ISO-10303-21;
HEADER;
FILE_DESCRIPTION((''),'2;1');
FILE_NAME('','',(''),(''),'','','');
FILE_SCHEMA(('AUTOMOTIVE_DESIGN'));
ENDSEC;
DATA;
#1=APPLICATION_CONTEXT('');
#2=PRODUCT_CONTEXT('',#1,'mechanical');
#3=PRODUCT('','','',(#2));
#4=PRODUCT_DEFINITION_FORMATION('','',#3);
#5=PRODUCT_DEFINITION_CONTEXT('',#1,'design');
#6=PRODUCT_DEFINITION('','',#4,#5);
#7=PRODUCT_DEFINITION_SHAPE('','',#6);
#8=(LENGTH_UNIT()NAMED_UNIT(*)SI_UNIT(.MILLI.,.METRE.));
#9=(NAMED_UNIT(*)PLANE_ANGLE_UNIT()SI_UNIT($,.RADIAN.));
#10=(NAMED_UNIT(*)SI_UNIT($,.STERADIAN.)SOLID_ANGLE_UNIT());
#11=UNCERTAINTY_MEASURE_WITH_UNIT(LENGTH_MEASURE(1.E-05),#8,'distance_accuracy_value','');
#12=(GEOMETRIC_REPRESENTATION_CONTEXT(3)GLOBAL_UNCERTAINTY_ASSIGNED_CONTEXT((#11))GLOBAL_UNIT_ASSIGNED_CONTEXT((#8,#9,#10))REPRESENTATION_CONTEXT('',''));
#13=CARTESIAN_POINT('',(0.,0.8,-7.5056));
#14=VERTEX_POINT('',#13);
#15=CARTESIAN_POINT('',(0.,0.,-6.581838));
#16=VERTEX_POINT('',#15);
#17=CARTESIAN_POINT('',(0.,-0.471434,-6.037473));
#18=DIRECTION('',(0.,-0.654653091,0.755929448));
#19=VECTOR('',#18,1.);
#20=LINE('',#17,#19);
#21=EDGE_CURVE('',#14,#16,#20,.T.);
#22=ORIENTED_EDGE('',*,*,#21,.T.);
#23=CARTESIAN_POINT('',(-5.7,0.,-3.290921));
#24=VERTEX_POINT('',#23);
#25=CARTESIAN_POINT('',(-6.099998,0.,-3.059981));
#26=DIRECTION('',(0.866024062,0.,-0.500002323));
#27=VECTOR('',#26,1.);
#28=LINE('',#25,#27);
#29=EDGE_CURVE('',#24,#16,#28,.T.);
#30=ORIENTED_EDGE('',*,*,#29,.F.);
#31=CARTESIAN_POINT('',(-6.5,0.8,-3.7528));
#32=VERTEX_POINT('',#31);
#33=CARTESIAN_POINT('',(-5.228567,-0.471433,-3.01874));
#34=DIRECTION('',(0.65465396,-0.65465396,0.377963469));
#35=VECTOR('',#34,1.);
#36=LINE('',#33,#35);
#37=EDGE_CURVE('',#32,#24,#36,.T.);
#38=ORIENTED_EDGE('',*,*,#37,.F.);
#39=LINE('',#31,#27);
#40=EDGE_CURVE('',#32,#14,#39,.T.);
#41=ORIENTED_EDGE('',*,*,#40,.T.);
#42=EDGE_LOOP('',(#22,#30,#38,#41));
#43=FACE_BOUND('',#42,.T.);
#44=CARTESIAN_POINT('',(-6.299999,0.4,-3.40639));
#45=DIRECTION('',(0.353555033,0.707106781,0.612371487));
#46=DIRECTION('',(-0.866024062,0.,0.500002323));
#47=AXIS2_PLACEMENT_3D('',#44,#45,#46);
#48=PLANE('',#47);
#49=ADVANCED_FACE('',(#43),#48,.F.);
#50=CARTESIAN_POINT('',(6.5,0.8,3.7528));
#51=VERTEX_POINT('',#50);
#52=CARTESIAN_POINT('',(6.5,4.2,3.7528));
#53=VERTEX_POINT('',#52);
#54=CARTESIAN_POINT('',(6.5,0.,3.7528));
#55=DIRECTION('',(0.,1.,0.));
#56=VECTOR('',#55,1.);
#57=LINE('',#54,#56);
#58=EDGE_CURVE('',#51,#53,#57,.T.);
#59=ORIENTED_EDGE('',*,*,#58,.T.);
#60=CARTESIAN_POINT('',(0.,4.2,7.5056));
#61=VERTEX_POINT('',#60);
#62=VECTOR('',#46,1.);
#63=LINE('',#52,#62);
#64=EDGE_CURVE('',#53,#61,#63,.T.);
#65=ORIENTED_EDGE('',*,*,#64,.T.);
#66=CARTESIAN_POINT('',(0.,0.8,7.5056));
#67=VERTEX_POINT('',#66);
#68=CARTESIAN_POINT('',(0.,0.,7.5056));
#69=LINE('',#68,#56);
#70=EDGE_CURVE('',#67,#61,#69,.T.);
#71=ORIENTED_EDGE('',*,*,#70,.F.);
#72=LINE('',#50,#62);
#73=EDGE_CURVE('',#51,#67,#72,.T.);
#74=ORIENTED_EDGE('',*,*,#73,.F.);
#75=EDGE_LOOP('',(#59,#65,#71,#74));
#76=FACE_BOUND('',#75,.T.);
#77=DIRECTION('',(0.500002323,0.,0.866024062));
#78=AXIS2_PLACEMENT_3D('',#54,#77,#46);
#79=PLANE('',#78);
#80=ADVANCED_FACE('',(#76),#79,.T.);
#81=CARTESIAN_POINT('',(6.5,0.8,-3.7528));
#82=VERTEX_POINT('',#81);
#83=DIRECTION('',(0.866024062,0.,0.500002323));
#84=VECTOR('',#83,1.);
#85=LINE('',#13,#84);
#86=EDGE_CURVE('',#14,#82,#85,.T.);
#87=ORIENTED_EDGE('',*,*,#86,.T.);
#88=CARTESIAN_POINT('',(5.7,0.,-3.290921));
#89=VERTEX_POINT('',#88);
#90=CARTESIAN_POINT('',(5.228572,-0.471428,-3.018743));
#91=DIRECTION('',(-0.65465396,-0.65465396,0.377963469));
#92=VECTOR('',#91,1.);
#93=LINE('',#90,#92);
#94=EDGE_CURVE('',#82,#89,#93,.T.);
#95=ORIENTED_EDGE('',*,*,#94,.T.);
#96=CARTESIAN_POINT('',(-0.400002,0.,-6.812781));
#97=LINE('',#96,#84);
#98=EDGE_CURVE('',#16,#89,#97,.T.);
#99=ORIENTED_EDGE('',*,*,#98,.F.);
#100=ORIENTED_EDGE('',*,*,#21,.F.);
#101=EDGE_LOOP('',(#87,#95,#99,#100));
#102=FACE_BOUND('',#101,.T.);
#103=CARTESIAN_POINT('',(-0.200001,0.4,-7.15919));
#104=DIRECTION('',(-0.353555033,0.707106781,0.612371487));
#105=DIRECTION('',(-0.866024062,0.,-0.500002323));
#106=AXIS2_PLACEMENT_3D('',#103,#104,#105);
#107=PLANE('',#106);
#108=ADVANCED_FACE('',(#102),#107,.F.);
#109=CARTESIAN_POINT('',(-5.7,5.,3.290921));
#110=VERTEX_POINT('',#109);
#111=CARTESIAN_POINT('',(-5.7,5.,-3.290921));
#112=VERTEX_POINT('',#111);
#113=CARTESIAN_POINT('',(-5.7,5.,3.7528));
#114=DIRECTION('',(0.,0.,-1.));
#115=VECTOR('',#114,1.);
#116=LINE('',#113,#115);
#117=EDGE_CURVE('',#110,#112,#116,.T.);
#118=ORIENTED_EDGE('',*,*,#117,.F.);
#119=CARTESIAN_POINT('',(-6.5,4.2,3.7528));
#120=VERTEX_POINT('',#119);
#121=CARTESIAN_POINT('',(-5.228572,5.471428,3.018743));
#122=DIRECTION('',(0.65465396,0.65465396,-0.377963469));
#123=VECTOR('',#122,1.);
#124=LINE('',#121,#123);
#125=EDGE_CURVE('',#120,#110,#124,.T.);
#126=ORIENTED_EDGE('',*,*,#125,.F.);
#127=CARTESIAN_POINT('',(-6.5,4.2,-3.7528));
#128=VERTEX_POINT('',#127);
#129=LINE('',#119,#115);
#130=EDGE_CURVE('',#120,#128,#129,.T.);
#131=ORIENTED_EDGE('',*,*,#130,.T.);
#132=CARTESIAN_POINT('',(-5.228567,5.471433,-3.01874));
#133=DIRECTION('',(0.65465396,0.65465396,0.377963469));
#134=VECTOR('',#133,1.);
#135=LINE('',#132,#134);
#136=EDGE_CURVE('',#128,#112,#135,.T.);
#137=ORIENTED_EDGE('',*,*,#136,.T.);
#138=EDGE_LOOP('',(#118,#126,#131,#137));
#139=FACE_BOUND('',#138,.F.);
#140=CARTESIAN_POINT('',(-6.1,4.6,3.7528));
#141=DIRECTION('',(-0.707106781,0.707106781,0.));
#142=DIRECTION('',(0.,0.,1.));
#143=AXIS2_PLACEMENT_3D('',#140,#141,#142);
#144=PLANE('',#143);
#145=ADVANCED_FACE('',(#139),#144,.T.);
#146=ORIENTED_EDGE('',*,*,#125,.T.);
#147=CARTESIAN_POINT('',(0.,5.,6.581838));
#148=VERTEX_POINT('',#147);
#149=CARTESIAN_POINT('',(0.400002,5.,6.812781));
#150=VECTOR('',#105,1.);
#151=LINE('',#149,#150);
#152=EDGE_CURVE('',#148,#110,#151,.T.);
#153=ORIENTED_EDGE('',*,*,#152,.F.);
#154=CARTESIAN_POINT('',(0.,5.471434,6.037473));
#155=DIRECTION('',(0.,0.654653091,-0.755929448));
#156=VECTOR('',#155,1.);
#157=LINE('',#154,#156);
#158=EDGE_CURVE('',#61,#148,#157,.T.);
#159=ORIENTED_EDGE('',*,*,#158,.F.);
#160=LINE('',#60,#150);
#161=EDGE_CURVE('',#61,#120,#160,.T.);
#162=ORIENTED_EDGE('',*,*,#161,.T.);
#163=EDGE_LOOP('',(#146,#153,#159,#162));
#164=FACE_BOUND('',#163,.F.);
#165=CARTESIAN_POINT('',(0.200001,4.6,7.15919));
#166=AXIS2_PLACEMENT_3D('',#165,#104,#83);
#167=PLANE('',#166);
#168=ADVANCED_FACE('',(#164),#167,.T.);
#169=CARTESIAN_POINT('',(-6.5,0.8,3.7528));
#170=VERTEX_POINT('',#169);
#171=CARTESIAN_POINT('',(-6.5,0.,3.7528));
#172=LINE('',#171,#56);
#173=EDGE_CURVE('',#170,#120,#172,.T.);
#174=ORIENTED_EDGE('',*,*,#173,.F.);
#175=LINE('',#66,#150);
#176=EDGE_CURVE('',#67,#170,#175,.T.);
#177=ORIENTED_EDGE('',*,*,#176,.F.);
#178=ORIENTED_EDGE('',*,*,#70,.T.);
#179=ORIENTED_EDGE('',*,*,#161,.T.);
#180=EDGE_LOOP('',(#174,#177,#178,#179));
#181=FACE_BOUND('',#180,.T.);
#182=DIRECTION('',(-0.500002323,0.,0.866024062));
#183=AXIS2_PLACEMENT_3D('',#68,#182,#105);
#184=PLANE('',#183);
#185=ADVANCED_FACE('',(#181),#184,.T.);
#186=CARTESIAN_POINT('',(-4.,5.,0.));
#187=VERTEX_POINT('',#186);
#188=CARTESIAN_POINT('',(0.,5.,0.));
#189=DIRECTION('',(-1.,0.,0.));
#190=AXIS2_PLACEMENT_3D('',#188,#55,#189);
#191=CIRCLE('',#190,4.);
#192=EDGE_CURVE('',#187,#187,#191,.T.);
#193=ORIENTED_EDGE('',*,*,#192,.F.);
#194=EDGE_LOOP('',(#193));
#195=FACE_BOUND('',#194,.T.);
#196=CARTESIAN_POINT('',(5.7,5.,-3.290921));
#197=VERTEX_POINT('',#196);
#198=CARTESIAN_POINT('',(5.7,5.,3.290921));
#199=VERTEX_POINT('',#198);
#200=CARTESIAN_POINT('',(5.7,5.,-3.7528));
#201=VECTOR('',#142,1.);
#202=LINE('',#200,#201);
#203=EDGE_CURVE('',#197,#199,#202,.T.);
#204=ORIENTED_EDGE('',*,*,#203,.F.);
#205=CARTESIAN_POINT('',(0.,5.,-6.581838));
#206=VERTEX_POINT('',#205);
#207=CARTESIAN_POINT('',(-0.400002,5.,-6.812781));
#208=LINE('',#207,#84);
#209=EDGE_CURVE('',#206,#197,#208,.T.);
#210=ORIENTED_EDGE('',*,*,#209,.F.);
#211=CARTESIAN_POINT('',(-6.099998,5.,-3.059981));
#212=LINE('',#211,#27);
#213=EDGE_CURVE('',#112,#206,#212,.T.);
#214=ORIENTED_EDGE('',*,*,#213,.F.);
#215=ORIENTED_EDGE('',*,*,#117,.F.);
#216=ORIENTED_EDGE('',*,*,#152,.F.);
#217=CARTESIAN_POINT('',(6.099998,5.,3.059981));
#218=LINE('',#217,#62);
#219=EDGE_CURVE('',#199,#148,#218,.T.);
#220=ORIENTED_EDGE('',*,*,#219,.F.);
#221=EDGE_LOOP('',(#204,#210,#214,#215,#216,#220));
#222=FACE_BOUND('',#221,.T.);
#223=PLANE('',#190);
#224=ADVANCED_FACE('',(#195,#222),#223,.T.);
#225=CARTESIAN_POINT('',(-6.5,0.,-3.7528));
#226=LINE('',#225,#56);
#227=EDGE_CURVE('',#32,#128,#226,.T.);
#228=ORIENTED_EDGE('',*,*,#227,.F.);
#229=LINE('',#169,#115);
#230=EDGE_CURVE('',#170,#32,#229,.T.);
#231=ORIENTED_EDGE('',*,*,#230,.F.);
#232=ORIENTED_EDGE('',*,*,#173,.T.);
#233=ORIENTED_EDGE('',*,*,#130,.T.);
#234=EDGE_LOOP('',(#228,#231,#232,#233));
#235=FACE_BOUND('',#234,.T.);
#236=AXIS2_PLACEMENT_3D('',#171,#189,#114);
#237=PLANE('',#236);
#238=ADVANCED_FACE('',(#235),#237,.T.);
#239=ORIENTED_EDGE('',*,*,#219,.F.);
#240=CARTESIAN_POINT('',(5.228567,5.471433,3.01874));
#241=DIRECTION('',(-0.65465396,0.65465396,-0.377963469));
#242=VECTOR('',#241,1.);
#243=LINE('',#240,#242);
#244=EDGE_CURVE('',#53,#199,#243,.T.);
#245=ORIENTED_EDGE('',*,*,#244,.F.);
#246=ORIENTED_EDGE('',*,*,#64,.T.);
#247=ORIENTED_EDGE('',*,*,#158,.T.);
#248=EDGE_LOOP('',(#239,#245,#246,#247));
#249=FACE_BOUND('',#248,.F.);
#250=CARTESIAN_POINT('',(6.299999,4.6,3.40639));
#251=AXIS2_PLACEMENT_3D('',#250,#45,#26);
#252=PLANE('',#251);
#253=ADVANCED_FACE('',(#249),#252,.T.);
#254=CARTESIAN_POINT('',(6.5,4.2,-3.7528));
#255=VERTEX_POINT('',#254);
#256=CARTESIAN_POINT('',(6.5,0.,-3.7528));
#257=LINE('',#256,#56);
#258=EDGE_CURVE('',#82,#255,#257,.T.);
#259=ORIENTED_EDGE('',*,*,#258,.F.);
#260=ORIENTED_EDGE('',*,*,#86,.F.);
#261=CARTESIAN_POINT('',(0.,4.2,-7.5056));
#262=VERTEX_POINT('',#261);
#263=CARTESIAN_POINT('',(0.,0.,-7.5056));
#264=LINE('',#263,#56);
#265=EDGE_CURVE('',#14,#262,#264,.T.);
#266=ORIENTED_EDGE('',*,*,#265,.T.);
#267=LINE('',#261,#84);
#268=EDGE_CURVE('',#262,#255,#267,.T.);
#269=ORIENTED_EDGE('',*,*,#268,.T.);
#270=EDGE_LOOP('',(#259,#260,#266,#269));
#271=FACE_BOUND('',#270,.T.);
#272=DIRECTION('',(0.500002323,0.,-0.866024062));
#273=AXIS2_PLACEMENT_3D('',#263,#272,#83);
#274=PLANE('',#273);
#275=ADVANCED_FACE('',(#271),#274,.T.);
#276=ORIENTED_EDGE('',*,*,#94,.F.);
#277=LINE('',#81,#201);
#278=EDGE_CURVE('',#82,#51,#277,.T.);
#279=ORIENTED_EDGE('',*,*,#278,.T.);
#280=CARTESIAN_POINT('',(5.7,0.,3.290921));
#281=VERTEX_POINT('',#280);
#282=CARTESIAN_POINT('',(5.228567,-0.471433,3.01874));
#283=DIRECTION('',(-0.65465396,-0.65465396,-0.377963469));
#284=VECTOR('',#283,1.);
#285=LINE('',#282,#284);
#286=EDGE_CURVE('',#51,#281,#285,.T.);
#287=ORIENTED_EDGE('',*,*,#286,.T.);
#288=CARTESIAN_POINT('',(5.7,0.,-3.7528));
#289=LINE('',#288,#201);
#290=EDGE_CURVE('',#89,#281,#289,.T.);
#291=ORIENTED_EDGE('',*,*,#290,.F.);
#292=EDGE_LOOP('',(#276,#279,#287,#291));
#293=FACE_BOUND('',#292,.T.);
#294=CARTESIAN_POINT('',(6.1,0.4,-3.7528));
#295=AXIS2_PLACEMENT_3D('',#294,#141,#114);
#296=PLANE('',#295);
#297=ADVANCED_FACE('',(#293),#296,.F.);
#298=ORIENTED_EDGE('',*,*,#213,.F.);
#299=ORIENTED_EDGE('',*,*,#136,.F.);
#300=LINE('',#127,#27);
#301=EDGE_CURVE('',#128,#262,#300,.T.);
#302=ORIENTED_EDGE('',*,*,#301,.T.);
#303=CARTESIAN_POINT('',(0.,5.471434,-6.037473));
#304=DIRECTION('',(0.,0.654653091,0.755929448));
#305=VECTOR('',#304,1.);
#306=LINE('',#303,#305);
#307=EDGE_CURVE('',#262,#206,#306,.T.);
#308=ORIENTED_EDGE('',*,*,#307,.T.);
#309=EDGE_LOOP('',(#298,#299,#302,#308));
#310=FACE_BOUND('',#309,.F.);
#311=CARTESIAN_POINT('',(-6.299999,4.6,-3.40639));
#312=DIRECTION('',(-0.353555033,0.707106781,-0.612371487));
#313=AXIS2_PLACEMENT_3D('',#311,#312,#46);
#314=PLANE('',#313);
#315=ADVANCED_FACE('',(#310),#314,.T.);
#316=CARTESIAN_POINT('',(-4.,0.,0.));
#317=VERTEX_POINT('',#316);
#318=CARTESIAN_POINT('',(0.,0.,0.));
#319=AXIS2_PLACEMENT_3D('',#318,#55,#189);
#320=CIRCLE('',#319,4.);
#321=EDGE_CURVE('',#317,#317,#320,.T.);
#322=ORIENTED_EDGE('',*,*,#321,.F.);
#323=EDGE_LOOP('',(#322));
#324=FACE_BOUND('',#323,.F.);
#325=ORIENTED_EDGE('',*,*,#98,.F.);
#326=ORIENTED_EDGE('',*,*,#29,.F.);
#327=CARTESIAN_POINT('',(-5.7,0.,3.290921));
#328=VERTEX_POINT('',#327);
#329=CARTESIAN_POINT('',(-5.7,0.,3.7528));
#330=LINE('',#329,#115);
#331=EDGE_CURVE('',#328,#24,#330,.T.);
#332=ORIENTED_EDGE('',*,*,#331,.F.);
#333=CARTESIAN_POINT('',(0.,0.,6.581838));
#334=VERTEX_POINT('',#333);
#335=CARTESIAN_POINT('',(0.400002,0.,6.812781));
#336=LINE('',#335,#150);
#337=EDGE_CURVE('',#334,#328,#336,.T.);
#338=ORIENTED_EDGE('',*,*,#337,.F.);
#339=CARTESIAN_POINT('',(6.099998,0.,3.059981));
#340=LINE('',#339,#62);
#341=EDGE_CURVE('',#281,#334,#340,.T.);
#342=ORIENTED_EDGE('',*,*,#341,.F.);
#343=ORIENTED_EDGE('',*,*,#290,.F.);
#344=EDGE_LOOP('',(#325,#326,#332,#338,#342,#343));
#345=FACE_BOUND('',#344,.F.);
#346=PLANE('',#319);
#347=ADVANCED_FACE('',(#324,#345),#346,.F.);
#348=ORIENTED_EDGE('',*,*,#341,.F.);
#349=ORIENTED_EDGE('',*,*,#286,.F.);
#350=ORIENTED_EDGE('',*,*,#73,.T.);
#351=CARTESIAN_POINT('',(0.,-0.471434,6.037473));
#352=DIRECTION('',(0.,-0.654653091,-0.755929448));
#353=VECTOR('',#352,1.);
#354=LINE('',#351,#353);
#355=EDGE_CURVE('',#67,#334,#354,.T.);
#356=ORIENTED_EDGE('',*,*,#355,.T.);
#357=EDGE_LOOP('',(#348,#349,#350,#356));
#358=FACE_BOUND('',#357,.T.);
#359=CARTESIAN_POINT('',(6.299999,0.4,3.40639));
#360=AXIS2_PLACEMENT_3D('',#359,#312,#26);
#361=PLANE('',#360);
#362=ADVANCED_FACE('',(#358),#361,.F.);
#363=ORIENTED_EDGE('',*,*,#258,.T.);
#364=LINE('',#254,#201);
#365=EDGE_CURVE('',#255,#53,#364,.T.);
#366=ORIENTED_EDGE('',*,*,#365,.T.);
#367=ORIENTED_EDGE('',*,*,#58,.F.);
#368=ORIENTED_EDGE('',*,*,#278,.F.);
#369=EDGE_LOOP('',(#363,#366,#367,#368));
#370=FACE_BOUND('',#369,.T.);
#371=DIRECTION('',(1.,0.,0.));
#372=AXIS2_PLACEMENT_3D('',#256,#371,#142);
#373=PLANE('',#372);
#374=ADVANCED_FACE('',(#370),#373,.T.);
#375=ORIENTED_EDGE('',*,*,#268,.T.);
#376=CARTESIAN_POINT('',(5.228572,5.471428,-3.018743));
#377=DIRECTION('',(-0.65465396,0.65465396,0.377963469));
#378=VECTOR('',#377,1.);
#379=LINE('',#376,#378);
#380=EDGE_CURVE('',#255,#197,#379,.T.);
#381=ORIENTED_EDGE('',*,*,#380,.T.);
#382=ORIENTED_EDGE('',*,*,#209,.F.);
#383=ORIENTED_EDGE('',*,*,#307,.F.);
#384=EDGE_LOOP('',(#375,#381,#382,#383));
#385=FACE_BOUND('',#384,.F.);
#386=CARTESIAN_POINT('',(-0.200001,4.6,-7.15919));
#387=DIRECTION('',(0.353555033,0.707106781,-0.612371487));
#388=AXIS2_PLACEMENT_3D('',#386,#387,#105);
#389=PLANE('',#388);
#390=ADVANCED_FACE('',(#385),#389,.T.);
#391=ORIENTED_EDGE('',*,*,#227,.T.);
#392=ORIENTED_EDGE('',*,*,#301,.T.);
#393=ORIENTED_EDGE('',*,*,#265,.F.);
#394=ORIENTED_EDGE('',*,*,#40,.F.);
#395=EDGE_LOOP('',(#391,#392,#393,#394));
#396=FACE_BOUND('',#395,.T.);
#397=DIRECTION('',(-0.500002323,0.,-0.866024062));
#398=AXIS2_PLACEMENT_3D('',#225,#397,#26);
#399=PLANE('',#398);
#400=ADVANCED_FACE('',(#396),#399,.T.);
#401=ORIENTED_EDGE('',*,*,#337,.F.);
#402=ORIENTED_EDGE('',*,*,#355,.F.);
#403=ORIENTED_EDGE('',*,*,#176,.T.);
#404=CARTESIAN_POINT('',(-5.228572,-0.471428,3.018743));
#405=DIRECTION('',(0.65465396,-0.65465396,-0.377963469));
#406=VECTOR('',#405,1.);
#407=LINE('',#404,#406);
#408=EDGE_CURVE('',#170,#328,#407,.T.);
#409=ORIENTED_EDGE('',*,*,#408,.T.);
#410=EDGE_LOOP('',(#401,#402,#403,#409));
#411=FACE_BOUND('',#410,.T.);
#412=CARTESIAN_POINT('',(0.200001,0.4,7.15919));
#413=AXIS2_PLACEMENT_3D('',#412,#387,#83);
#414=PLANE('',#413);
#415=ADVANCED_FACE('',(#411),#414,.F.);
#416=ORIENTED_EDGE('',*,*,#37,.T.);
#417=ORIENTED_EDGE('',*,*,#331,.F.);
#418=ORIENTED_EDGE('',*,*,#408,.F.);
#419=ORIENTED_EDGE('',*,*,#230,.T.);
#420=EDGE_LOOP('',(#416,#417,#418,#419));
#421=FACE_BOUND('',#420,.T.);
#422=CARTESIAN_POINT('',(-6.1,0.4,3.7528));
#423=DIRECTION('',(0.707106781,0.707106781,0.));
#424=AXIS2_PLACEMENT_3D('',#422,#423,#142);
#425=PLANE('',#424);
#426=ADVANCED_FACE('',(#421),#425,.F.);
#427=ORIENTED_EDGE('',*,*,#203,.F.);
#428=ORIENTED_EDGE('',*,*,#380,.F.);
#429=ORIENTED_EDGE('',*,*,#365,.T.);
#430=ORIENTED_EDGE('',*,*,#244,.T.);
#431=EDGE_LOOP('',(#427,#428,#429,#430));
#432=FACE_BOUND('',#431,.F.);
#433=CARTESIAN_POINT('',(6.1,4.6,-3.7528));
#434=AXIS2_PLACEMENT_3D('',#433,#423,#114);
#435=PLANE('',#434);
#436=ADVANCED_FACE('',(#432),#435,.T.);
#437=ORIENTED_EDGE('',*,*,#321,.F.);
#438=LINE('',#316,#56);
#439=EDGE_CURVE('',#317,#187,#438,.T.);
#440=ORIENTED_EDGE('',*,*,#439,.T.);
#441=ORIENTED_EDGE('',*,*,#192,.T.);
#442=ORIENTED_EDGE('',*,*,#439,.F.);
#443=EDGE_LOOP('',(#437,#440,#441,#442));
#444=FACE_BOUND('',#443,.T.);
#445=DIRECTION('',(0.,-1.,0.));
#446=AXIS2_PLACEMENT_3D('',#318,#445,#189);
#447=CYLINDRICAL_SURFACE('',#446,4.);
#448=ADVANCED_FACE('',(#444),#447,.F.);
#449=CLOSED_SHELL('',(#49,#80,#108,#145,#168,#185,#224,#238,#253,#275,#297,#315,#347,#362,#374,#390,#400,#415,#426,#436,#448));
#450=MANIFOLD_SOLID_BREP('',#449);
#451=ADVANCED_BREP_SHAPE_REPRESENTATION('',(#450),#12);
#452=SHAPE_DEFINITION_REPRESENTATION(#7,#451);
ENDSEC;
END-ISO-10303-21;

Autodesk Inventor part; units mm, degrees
ref_plane "YZ Plane" through (0, 0, 0) normal (1, 0, 0) x (0, 1, 0)
ref_plane "XZ Plane" through (0, 0, 0) normal (0, 1, 0) x (-1, 0, 0)
ref_plane "XY Plane" through (0, 0, 0) normal (0, 0, 1) x (1, 0, 0)
sketch "Sketch1" plane through (0, 0, 0) normal (0, 1, 0) x (-1, 0, 0)
  line L0 (6.5, -3.7528) -> (0, -7.5056)
  line L1 (0, -7.5056) -> (-6.5, -3.7528)
  line L2 (-6.5, -3.7528) -> (-6.5, 3.7528)
  line L3 (-6.5, 3.7528) -> (0, 7.5056)
  line L4 (0, 7.5056) -> (6.5, 3.7528)
  line L5 (6.5, 3.7528) -> (6.5, -3.7528)
  circle A0 centre (0, 0) radius 4
  point P0 (6.5, 0)
  dimension "d0" = 13
  dimension "d3" = 8
extrude "Extrusion1" add sketch "Sketch1" along normal blind 5
chamfer "Chamfer1" distance 0.8 angle 45 12 edges at (-3.25, 5, 5.6292) (-6.5, 5, 0) (-3.25, 5, -5.6292) (3.25, 5, -5.6292) (6.5, 5, 0) (3.25, 5, 5.6292) (-3.25, 0, 5.6292) (3.25, 0, 5.6292) (6.5, 0, 0) (3.25, 0, -5.6292) (-3.25, 0, -5.6292) (-6.5, 0, 0)
properties part number "M8_Nut"
